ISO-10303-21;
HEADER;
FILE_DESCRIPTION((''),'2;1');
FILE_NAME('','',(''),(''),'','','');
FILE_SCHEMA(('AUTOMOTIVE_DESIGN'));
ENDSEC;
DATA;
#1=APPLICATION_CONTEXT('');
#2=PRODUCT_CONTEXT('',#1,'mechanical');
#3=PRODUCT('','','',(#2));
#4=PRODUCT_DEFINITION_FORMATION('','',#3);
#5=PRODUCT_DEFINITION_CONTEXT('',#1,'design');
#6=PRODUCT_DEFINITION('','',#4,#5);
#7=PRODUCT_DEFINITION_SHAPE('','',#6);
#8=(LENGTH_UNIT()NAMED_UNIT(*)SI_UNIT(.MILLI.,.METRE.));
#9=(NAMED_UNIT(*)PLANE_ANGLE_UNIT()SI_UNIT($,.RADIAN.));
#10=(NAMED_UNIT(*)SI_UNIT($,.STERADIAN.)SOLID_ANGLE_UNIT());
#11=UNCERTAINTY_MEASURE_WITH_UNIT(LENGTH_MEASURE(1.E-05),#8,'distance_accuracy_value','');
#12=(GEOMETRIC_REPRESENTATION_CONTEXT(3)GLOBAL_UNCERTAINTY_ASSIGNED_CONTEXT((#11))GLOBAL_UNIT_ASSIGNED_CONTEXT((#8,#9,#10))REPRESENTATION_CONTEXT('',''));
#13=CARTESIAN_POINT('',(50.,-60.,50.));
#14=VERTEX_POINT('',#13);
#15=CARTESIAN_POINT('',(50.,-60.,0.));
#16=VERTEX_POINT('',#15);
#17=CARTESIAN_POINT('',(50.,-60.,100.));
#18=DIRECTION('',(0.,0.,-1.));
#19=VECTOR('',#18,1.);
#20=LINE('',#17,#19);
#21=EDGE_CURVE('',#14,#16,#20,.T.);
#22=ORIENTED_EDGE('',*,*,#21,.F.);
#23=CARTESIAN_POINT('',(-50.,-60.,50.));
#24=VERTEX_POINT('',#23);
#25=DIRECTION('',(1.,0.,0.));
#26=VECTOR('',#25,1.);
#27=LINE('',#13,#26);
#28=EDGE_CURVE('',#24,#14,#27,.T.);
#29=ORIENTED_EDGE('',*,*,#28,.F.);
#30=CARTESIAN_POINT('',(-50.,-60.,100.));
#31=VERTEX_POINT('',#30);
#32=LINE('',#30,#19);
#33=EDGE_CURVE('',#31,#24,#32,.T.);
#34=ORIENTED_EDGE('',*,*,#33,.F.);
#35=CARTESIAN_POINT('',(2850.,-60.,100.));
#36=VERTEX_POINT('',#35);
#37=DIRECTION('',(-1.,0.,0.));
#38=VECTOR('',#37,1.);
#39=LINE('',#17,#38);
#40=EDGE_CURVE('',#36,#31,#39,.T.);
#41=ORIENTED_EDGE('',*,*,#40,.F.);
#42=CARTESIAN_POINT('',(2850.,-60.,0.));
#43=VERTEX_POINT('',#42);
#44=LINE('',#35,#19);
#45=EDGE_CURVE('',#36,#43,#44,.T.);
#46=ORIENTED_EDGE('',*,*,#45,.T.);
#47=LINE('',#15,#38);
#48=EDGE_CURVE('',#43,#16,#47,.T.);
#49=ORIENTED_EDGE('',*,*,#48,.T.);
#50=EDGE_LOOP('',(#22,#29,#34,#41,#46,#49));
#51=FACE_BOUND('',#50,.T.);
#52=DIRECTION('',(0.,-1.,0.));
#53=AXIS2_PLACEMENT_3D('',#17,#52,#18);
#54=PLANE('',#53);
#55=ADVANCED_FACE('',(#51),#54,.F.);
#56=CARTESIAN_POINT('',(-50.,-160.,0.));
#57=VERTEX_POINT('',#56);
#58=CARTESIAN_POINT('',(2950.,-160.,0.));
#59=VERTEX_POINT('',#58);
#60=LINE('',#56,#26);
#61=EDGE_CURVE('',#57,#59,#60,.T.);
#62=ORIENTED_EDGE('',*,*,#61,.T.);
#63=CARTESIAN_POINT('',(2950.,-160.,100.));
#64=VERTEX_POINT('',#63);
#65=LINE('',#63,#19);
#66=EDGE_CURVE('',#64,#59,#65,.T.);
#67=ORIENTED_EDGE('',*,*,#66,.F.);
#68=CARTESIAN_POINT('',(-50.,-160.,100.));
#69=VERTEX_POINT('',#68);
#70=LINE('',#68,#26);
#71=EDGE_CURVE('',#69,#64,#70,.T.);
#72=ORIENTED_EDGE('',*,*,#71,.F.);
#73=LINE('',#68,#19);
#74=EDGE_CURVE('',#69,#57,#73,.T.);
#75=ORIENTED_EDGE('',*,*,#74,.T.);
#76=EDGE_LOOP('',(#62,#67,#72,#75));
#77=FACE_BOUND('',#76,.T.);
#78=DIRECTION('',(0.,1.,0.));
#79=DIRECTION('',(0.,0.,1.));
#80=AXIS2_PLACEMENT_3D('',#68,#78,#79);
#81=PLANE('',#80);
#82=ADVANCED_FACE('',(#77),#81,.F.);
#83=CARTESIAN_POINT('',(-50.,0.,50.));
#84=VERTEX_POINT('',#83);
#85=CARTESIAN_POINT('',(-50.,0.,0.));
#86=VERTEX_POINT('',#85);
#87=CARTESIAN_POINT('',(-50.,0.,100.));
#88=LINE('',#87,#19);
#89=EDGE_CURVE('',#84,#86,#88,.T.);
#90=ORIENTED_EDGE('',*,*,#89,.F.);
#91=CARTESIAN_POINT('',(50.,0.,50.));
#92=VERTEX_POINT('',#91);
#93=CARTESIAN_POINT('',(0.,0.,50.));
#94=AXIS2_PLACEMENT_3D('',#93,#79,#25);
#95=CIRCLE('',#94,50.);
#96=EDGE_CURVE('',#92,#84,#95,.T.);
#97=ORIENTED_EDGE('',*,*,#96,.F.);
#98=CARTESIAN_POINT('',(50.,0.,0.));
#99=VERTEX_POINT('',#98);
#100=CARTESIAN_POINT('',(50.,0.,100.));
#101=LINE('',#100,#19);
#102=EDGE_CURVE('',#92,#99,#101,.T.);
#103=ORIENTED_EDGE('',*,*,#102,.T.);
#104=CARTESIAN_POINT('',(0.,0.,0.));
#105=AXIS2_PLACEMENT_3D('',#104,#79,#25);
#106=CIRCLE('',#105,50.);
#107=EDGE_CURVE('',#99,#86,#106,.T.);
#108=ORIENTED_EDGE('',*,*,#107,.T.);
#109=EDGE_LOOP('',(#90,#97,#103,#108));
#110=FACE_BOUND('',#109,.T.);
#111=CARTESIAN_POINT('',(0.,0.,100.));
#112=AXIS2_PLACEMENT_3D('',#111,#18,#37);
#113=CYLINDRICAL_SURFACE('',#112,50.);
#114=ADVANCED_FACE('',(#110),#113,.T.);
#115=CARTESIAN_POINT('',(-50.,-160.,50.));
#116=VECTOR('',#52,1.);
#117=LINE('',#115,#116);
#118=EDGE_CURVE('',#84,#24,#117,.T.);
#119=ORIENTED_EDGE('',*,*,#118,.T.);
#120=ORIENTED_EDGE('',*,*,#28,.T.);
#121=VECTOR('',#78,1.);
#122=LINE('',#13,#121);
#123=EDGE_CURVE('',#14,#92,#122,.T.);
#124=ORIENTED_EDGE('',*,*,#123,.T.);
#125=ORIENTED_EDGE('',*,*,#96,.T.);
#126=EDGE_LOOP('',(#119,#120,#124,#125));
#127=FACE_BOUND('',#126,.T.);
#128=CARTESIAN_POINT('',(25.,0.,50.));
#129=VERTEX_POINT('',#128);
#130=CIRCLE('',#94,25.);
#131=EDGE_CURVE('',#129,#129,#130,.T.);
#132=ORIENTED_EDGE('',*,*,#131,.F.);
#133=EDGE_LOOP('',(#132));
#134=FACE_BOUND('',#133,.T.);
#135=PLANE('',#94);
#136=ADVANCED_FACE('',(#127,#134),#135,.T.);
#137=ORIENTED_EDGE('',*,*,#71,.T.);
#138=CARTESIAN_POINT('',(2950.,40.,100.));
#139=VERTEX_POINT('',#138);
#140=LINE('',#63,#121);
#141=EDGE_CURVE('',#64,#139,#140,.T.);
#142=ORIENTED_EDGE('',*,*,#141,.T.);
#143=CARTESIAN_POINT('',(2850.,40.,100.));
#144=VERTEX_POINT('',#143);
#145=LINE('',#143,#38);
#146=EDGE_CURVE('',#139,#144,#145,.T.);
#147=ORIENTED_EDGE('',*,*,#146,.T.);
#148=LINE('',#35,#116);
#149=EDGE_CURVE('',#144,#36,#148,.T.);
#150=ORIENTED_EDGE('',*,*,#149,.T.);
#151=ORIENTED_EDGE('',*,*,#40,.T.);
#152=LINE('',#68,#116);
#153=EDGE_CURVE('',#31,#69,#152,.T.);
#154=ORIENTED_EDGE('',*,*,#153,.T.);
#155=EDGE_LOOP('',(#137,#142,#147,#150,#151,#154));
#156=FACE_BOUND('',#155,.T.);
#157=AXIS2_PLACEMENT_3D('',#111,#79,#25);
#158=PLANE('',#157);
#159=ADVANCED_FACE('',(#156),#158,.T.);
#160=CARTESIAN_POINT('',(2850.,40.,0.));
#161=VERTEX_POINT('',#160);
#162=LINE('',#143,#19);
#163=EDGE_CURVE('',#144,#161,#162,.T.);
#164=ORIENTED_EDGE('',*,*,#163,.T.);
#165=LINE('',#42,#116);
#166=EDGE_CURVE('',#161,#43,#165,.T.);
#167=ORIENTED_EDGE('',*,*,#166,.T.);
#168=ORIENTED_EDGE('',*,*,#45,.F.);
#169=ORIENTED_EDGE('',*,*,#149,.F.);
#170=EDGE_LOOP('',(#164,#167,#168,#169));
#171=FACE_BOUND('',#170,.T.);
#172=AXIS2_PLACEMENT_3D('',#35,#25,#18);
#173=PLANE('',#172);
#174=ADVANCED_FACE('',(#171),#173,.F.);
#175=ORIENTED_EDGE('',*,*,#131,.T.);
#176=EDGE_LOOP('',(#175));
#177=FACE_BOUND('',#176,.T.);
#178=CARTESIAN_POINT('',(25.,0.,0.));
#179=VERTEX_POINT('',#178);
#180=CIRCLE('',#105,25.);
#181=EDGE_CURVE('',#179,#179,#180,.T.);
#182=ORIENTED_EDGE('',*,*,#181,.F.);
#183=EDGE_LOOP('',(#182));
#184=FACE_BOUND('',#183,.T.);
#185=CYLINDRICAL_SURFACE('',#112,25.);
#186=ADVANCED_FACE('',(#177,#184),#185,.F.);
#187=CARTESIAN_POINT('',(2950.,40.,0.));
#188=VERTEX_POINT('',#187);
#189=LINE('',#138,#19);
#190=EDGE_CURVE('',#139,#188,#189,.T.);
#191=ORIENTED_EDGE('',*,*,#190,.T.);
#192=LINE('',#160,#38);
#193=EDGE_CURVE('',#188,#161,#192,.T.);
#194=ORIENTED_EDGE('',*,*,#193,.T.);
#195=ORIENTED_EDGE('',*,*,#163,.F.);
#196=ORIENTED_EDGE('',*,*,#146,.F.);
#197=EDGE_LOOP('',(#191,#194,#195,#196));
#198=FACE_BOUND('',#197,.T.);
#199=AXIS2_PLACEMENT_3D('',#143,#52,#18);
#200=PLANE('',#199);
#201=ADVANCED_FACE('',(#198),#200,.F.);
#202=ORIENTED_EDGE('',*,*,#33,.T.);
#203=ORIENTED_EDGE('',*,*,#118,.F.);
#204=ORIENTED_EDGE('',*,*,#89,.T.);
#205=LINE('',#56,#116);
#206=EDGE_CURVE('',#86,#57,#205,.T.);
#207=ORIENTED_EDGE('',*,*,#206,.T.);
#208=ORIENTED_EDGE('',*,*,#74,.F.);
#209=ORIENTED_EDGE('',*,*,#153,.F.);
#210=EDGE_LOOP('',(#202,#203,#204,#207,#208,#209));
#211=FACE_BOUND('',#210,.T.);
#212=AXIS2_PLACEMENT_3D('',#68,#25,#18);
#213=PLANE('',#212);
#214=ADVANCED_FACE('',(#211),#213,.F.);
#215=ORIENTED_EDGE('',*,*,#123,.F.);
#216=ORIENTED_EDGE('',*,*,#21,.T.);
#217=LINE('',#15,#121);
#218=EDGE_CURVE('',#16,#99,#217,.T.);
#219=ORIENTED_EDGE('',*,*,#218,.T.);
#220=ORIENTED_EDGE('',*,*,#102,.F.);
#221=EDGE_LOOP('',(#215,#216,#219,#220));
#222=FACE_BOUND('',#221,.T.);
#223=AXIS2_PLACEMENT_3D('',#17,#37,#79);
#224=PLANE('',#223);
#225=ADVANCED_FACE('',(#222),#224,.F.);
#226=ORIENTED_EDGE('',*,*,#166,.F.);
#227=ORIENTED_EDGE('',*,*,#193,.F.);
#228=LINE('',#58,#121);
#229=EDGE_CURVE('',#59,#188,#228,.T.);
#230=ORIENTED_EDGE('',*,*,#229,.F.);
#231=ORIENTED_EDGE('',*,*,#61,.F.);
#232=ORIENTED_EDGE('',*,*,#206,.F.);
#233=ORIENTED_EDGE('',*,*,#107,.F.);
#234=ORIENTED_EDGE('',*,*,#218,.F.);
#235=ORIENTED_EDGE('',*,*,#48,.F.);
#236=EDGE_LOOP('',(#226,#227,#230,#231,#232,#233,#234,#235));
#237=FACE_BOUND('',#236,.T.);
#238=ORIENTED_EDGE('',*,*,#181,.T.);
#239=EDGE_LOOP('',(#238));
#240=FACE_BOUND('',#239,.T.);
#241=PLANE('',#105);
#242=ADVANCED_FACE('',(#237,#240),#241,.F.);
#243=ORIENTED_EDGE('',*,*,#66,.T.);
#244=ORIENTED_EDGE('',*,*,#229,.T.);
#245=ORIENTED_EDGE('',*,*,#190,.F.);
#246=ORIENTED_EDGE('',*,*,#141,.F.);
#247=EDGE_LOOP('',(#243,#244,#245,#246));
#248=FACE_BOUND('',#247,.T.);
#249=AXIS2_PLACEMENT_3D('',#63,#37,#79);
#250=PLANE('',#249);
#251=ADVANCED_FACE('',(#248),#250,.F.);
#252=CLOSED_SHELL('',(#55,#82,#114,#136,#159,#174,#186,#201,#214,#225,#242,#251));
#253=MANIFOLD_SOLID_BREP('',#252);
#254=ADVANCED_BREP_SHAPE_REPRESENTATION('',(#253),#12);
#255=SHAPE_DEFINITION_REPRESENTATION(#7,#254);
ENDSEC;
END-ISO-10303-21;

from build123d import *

# Parameters (mm, degrees)
SKETCH_1_R          = 25
EXTRUDE_1_DEPTH     = 100
SKETCH_2_W          = 140.942961324
SKETCH_2_H          = 134.262185151
CUT_EXTRUDE_1_DEPTH = 50


with BuildPart() as part:
    # 草图1 → 拉伸1 (new body)
    with BuildSketch(Plane.XY):
        with BuildLine():
            Line((-50, -160), (2950, -160))
            Line((2950, -160), (2950, 40))
            Line((2950, 40), (2850, 40))
            Line((2850, 40), (2850, -60))
            Line((2850, -60), (50, -60))
            Line((50, -60), (50, 0))
            ThreePointArc((50, 0), (0, 50), (-50, 0))
            Line((-50, 0), (-50, -160))
        make_face()
        Circle(SKETCH_1_R, mode=Mode.SUBTRACT)
    extrude(amount=EXTRUDE_1_DEPTH)

    # 草图2 → 切除-拉伸1 (cut)
    with BuildSketch(Plane.XY.offset(100)):
        with Locations((-20.471480662, 7.131092576)):
            Rectangle(SKETCH_2_W, SKETCH_2_H)
    extrude(amount=-CUT_EXTRUDE_1_DEPTH, mode=Mode.SUBTRACT)


solid = part.part
